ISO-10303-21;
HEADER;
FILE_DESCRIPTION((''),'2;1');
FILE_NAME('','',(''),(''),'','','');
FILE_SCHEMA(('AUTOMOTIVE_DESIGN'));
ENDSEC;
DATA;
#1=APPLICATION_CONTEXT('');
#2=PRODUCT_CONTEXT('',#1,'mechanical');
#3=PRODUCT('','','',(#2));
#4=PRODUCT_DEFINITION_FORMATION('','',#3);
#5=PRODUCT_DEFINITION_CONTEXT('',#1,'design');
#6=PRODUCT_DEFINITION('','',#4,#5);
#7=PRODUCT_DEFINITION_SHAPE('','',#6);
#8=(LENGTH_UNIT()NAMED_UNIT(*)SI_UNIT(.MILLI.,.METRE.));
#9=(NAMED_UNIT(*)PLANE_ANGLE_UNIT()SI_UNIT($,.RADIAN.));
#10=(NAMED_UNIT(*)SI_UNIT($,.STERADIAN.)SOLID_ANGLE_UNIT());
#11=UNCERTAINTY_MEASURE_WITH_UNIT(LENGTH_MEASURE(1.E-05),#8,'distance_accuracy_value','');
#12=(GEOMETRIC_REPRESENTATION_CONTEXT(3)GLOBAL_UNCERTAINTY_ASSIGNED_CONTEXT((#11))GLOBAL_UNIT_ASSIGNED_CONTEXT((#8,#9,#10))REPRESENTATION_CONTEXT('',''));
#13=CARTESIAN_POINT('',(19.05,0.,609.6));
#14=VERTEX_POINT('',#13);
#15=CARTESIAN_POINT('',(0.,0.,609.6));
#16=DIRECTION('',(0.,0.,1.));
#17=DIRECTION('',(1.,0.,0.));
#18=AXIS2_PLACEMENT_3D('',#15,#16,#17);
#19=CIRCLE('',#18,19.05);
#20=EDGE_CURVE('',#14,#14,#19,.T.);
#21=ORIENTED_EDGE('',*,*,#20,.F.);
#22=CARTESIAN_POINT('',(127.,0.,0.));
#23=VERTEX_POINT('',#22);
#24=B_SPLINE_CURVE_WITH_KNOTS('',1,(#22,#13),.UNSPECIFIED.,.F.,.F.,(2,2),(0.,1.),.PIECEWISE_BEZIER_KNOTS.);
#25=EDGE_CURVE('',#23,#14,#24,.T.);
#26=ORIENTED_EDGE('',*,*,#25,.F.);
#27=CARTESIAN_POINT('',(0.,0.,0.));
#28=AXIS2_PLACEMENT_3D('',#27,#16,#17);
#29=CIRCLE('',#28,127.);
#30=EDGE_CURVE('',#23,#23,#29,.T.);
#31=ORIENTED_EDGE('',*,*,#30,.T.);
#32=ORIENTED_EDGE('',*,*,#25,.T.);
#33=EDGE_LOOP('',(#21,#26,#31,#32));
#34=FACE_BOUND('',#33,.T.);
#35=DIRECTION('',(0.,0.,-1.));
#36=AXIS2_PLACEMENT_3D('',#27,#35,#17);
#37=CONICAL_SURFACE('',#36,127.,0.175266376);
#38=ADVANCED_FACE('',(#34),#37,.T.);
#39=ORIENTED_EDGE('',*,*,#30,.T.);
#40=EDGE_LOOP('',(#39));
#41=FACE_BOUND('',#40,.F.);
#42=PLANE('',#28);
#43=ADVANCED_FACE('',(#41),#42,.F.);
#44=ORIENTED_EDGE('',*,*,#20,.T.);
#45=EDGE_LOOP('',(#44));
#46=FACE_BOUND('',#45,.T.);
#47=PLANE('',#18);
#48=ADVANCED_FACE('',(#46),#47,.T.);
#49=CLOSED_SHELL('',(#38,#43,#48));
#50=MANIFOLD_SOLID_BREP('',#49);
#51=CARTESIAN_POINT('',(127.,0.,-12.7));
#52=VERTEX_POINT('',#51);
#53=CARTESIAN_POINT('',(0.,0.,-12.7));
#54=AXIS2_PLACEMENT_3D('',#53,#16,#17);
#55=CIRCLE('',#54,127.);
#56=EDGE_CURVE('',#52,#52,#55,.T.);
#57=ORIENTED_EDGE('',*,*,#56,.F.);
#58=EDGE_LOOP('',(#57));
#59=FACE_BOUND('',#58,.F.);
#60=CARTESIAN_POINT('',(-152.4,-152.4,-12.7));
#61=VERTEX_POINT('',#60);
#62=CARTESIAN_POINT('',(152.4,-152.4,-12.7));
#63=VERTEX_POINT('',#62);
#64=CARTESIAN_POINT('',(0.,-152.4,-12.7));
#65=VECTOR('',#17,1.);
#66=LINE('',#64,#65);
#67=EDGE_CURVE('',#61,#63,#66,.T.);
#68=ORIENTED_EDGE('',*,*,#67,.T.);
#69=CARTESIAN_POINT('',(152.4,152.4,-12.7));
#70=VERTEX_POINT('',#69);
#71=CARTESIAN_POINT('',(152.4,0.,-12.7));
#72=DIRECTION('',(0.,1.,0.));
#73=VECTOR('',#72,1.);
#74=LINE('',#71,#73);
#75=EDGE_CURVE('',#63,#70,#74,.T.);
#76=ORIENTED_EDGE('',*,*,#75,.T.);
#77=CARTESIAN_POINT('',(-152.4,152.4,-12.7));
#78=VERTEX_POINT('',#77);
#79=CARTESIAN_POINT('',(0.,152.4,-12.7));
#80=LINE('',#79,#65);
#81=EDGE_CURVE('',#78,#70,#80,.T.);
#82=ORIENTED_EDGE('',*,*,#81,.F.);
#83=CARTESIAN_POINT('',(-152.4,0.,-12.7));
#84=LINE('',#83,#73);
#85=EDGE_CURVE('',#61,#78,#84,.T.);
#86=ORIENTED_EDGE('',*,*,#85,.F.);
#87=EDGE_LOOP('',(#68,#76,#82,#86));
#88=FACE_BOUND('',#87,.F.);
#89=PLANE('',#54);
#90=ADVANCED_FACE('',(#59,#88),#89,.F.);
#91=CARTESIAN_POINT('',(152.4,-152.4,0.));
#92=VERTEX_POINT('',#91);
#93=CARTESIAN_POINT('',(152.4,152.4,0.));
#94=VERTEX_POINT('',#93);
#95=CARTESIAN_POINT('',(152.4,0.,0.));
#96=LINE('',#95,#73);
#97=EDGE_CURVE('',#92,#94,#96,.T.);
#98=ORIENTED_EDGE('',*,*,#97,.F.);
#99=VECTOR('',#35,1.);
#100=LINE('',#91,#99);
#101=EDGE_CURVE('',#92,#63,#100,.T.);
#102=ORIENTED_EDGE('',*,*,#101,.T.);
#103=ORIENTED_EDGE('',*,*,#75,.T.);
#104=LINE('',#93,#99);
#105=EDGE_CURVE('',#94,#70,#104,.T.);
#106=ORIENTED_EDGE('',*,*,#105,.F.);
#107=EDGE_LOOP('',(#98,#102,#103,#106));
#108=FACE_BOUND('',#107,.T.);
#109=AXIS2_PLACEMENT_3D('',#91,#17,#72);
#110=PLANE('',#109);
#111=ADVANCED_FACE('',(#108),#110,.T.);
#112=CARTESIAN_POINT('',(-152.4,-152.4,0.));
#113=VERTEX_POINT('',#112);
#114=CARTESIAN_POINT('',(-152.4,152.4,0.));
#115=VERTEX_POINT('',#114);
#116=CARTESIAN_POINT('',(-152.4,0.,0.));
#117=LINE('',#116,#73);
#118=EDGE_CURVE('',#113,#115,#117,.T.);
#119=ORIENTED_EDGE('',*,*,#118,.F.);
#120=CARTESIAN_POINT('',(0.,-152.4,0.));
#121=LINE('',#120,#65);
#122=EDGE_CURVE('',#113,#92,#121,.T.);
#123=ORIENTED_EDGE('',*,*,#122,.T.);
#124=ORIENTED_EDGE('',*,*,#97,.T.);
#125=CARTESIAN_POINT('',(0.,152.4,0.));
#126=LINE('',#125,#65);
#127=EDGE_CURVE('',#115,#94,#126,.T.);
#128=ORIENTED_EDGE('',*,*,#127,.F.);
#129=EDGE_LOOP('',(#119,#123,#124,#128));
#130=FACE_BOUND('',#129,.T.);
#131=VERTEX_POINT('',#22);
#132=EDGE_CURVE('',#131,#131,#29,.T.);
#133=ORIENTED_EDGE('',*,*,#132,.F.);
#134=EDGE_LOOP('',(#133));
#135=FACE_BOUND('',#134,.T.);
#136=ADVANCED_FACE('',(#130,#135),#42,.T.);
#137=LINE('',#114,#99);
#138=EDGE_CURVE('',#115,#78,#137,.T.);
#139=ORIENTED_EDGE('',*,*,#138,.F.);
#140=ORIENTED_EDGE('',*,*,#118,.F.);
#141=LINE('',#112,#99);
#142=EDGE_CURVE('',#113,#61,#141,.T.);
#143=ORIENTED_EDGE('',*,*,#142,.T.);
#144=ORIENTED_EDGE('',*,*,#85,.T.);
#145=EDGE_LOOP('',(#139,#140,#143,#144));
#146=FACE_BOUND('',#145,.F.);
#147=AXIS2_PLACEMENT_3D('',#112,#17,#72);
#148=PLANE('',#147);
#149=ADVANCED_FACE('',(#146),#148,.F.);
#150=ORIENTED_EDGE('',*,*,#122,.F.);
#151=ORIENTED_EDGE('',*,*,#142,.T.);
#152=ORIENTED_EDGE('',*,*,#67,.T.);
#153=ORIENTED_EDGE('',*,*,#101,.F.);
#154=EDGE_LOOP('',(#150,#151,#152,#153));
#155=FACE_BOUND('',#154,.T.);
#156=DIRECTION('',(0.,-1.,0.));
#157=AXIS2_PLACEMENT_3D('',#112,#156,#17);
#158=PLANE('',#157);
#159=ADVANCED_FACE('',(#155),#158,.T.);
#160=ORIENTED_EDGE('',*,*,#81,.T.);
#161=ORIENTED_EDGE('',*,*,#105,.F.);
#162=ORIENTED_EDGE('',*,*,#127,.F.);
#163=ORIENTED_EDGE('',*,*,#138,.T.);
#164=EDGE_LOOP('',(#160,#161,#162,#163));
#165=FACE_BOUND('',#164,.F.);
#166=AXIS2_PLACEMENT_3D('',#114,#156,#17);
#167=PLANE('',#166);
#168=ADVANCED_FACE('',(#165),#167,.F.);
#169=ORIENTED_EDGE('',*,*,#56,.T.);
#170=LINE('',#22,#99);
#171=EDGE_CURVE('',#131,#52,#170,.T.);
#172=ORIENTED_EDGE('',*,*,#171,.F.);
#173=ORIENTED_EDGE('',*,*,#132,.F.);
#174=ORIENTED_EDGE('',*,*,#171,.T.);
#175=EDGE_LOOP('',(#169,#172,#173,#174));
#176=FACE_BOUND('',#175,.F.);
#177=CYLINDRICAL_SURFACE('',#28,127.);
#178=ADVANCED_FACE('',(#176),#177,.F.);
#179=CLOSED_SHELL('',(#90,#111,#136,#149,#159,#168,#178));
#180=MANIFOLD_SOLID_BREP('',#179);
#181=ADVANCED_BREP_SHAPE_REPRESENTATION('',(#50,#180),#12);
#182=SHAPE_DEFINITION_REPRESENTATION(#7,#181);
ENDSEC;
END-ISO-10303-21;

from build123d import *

# Parameters (mm, degrees)
F0_W     = 304.8
F0_H     = 304.8
F0_R     = 127
F1_DEPTH = 12.7
F3_R     = 19.05


with BuildPart() as f1:
    # F0 (on Top) → F1 (new body)
    with BuildSketch(Plane.XY):
        Rectangle(F0_W, F0_H)
        Circle(F0_R, mode=Mode.SUBTRACT)
    extrude(amount=-F1_DEPTH)


with BuildPart() as f4:
    # F0 (on Top) → F4 section 0
    with BuildSketch(Plane.XY):
        Circle(F0_R)
    # F3 (on offset) → F4 section 1
    with BuildSketch(Plane.XY.offset(609.6)):
        Circle(F3_R)
    loft()


solid = Compound([f1.part, f4.part])
